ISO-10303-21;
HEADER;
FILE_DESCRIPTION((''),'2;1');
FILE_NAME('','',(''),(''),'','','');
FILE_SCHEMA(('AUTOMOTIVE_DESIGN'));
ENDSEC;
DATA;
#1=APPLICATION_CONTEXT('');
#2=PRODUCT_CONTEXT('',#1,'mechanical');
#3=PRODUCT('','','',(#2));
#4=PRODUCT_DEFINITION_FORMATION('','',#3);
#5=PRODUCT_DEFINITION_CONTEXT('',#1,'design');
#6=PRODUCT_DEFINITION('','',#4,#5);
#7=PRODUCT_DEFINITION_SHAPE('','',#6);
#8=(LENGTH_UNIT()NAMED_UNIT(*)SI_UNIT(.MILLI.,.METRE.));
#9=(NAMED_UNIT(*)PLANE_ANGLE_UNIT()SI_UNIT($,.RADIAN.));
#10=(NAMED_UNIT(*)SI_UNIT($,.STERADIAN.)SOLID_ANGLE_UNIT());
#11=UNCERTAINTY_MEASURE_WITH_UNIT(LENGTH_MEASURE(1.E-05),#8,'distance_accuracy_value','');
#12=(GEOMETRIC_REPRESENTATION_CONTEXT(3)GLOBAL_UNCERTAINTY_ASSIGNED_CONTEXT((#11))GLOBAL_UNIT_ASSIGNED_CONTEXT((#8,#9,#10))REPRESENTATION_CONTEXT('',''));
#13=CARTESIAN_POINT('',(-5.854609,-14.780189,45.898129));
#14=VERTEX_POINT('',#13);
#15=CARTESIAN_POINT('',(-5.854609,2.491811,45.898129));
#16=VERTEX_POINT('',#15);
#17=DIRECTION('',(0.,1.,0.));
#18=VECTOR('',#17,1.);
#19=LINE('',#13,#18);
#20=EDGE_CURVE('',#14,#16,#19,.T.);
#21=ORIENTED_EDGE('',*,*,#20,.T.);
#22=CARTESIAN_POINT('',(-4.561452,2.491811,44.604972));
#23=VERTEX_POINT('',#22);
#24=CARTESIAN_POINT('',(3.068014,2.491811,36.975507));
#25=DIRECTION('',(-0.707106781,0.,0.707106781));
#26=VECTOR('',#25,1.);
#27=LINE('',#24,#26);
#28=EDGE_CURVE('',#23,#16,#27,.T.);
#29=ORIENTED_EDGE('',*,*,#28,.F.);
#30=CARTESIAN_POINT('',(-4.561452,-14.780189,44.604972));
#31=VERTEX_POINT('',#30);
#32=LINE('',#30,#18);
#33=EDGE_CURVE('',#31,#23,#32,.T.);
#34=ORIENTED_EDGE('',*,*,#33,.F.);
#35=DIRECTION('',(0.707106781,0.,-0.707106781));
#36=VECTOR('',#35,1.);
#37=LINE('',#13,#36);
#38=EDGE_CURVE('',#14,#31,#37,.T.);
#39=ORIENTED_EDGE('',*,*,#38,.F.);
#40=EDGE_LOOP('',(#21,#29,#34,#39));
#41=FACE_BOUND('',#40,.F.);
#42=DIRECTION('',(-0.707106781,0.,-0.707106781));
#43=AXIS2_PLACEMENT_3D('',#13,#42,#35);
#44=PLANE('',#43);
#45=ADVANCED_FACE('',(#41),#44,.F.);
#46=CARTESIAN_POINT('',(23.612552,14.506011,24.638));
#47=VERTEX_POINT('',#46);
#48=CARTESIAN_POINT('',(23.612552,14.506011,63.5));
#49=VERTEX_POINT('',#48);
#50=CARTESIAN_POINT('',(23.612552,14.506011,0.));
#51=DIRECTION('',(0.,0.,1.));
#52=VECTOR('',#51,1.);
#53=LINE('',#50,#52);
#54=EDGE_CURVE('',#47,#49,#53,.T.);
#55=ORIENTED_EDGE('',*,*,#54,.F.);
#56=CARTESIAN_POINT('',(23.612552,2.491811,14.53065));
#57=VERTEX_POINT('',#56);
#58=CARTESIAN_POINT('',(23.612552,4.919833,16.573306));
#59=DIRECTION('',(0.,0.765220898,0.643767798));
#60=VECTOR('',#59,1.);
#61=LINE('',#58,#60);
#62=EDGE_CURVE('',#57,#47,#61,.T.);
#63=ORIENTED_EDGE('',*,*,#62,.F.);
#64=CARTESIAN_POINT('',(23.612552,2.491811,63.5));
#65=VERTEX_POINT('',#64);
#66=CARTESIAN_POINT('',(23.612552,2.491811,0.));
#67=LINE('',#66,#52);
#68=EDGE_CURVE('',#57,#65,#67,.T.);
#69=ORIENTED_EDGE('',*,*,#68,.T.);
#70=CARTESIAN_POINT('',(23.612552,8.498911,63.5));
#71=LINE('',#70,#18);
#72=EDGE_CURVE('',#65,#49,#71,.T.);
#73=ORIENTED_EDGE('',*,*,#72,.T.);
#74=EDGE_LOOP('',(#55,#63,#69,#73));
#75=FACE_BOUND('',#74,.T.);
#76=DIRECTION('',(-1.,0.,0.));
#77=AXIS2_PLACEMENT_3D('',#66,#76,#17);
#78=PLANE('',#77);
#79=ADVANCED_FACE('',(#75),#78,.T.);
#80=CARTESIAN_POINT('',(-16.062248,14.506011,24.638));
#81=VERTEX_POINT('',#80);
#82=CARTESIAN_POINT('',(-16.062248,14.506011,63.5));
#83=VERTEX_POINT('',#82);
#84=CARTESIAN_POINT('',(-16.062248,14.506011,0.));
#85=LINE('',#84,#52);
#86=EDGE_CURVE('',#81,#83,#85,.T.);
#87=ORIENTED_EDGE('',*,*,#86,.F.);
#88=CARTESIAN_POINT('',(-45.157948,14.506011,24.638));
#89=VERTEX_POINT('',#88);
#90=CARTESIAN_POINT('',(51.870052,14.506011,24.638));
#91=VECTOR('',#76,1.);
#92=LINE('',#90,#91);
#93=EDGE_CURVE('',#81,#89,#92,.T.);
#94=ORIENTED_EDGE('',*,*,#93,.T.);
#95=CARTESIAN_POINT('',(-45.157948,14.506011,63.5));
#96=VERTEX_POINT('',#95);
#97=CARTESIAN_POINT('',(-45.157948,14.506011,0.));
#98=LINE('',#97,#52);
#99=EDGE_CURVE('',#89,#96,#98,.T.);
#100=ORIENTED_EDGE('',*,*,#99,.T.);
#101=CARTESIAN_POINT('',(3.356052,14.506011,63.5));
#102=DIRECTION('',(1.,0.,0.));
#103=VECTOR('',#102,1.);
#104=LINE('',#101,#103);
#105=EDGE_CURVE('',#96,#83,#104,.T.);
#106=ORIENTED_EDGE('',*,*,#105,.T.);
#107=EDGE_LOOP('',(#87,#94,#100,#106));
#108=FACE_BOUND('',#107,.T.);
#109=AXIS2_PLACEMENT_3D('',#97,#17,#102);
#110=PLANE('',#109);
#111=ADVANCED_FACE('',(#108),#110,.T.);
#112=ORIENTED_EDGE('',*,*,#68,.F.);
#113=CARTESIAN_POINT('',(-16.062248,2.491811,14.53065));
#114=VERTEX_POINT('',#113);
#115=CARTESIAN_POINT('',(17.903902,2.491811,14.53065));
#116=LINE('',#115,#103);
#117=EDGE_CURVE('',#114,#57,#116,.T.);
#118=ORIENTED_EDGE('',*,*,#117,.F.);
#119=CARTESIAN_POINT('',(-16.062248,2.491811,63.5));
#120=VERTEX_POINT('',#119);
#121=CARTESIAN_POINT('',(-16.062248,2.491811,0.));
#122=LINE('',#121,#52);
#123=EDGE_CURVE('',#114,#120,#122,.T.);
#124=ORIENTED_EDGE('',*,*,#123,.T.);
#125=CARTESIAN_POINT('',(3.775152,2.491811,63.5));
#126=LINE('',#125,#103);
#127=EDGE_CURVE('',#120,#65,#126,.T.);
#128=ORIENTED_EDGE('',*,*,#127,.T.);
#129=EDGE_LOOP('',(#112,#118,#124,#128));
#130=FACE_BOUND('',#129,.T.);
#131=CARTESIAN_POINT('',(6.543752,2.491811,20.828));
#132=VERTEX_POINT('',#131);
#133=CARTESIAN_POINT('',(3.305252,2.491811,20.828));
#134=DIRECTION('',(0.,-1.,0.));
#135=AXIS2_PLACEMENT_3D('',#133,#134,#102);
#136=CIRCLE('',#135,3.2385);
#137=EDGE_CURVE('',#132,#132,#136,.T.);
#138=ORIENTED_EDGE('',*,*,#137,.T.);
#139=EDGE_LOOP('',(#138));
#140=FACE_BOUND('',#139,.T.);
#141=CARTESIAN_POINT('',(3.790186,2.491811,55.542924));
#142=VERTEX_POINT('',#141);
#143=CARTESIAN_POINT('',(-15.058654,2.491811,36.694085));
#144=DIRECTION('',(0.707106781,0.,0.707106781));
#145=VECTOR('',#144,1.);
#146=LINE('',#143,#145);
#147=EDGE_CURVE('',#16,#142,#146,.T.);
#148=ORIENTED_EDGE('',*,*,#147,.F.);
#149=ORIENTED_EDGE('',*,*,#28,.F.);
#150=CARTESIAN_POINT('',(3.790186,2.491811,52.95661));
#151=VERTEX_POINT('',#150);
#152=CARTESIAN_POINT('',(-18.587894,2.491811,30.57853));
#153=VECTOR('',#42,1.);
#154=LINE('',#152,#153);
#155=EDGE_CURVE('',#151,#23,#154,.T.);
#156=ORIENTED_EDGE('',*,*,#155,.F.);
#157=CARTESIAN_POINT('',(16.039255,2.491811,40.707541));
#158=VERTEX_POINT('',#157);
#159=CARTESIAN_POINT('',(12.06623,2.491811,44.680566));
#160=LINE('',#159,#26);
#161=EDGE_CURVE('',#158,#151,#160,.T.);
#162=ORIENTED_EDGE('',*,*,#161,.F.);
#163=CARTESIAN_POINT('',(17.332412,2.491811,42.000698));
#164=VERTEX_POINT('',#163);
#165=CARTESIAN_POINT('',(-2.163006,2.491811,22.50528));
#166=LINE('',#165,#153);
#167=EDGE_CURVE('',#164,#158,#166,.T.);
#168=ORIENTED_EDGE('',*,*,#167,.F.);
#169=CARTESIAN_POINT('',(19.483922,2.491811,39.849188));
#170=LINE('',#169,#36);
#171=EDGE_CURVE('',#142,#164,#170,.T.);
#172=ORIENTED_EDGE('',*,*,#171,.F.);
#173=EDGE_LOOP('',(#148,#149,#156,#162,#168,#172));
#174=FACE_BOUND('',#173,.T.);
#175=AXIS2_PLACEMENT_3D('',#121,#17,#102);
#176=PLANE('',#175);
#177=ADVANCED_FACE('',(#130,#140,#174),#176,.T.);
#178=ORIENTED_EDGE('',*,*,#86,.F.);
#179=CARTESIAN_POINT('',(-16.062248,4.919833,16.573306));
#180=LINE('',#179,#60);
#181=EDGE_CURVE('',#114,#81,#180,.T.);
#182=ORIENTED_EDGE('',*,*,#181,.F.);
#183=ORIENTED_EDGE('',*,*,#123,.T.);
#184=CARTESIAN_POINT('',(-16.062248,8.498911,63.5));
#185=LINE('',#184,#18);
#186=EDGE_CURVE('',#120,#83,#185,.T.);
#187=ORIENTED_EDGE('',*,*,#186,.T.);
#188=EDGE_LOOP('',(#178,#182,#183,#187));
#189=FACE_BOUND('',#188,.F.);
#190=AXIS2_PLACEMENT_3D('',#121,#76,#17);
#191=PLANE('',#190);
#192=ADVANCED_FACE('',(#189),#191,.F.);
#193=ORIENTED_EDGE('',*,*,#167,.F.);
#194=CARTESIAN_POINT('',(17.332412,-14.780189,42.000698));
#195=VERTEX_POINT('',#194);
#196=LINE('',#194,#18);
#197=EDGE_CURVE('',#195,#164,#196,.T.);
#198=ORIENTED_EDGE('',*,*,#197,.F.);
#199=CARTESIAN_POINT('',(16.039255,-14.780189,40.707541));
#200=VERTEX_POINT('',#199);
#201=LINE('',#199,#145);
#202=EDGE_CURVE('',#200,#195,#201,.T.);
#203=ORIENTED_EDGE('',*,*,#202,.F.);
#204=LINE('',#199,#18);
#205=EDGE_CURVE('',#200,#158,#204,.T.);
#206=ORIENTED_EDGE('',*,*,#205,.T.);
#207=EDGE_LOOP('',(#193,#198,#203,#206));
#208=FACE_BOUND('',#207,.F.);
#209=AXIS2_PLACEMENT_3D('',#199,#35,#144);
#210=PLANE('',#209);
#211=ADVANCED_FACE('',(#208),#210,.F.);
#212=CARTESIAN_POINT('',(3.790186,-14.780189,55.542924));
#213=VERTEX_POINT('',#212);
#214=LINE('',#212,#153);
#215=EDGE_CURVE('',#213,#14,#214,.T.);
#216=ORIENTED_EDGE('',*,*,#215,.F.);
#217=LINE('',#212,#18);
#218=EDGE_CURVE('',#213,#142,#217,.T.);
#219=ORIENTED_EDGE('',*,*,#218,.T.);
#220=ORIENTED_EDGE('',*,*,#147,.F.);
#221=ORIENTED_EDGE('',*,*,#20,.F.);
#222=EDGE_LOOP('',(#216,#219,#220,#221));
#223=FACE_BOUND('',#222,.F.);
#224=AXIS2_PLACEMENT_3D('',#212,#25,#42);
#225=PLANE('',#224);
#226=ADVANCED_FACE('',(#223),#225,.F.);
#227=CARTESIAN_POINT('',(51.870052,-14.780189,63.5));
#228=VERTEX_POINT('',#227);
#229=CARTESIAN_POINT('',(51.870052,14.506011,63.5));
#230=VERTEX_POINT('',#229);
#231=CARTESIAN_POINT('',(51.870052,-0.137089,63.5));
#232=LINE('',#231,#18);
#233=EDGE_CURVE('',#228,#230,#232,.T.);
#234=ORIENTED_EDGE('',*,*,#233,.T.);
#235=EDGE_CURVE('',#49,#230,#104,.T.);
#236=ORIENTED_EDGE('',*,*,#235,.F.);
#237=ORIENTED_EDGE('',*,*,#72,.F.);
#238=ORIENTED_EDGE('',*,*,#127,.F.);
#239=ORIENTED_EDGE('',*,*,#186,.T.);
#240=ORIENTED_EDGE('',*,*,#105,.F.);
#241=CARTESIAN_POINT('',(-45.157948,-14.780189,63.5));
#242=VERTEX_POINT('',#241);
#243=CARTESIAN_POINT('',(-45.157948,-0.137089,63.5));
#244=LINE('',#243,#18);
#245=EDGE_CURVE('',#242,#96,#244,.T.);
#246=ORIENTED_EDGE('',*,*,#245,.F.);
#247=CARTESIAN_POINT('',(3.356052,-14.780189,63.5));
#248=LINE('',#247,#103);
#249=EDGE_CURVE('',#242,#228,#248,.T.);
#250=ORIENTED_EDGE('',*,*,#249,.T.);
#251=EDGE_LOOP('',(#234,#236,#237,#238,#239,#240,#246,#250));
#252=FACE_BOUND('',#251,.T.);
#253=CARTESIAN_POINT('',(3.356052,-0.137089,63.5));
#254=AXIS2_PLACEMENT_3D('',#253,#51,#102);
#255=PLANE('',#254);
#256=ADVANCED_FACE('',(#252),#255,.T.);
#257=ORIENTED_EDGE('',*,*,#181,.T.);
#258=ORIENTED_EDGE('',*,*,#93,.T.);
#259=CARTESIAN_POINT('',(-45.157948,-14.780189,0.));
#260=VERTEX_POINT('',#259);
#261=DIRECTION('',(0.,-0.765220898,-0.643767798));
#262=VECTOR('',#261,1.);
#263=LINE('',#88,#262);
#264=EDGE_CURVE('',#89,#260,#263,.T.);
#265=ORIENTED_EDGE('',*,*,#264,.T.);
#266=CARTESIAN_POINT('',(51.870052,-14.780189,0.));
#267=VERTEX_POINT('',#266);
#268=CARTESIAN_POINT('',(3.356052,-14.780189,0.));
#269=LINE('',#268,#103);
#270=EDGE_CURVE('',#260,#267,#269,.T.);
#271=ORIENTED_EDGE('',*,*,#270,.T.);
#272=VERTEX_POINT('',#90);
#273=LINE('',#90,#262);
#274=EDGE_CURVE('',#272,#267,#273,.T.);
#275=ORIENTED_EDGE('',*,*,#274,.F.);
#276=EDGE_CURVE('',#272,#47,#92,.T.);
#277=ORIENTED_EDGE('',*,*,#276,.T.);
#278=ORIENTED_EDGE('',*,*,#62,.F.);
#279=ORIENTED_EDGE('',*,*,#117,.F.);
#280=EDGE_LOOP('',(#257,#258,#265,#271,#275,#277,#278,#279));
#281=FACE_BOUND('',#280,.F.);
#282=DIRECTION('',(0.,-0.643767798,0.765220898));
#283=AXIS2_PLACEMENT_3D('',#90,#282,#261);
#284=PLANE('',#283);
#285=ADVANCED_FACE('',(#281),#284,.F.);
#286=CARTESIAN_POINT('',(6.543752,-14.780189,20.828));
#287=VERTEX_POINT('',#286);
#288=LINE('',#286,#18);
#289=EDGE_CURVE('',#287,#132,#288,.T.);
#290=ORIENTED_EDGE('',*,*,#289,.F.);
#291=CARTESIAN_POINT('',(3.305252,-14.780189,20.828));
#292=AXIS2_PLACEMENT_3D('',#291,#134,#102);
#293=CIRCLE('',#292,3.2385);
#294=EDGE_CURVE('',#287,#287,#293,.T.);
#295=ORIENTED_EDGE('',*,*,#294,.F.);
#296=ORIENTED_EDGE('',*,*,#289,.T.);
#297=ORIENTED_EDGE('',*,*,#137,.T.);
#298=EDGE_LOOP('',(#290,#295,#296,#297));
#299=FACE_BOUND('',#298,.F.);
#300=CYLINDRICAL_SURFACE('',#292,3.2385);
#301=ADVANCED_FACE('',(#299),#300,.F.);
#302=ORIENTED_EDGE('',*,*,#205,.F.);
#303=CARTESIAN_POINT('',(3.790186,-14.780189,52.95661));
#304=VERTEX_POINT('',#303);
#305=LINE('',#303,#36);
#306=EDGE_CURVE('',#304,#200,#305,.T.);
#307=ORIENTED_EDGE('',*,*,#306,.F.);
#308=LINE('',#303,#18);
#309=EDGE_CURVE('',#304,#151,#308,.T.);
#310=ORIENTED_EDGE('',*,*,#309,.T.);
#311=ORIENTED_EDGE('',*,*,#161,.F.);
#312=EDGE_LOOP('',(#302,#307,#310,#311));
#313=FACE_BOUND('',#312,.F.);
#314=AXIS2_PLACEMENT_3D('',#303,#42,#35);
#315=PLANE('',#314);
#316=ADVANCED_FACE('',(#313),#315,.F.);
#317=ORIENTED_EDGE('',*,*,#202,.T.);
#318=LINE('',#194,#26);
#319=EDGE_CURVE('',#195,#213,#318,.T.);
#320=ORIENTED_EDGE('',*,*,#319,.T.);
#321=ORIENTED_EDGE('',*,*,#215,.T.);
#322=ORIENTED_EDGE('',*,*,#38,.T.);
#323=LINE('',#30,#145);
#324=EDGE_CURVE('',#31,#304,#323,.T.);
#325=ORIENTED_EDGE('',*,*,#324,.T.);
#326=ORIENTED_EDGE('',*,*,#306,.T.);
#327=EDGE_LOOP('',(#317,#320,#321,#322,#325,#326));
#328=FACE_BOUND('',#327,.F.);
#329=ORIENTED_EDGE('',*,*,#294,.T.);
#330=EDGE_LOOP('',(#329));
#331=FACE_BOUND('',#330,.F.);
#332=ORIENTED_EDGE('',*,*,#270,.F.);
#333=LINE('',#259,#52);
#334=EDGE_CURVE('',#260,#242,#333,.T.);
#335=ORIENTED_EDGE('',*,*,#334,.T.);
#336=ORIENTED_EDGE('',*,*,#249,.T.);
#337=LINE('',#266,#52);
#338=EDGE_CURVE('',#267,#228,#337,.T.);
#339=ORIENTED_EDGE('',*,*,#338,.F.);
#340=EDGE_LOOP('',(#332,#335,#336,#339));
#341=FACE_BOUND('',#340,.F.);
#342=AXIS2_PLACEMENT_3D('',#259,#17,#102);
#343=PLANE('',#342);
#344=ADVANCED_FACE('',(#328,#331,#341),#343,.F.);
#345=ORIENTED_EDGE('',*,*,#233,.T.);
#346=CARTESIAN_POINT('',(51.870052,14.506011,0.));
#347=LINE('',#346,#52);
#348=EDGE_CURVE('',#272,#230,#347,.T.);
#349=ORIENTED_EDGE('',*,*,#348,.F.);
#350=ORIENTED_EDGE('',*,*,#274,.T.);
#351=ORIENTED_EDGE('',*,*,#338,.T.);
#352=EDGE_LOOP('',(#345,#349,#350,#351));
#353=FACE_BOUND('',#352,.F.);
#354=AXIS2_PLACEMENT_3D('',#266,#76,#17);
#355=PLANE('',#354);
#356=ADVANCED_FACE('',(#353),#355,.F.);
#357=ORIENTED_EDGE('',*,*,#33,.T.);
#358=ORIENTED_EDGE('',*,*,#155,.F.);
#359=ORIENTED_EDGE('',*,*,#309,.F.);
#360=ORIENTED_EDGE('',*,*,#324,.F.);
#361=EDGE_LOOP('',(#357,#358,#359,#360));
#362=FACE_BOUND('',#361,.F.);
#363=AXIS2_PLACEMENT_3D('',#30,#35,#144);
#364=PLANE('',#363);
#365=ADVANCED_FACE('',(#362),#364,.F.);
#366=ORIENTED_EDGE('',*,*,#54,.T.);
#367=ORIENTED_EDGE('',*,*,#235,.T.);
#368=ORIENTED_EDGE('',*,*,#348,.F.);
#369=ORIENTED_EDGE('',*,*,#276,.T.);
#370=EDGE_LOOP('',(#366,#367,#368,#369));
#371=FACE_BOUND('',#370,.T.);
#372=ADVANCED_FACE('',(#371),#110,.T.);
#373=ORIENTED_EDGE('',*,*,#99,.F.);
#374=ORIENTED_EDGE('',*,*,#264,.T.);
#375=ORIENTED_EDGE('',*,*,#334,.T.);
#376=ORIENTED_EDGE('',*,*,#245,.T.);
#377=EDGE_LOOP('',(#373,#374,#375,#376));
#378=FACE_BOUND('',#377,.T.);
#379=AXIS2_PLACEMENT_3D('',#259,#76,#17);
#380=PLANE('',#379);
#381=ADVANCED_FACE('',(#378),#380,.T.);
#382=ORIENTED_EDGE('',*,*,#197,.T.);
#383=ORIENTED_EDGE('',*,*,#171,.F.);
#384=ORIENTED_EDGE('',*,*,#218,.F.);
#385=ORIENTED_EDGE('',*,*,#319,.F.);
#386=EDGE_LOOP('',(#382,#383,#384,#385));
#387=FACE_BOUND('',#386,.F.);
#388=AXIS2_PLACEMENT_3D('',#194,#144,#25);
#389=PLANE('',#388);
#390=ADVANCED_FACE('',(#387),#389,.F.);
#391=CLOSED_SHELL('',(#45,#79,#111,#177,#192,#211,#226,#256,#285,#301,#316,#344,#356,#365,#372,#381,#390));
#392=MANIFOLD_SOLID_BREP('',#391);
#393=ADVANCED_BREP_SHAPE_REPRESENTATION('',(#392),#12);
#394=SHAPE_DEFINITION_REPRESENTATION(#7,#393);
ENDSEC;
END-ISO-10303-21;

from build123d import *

# Parameters (mm, degrees)
F0_W     = 97.028
F0_H     = 29.2862
F2_DEPTH = 63.5
F1_W     = 39.6748
F1_H     = 12.0142
F3_DEPTH = 63.5
F5_DEPTH = 97.028
F6_R     = 3.2385
F7_DEPTH = 25.4
F9_DEPTH = 25.4


with BuildPart() as f2:
    # F0 (on Top) → F2 (new body)
    with BuildSketch(Plane.XY):
        with Locations((3.356052, -0.137089)):
            Rectangle(F0_W, F0_H)
    extrude(amount=F2_DEPTH)

    # F1 (on face) → F3 (cut)
    with BuildSketch(Plane.XY):
        with Locations((3.775152, 8.498911)):
            Rectangle(F1_W, F1_H)
    extrude(amount=F3_DEPTH, mode=Mode.SUBTRACT)

    # F4 (on face) → F5 (cut)
    with BuildSketch(Plane.YZ.offset(51.870052)):
        Polygon((14.506011, 0), (14.506011, 24.638), (-14.780189, 0), align=None)
    extrude(amount=-F5_DEPTH, mode=Mode.SUBTRACT)

    # F6 (on face) → F7 (cut)
    with BuildSketch(Plane.XZ.offset(14.780189)):
        with Locations((3.305252, 20.828)):
            Circle(F6_R)
    extrude(amount=-F7_DEPTH, mode=Mode.SUBTRACT)

    # F8 (on face) → F9 (cut)
    with BuildSketch(Plane.XZ.offset(14.780189)):
        Polygon((17.332412, 42.000698), (3.790186, 55.542924), (-5.854609, 45.898129), (-4.561452, 44.604972), (3.790186, 52.95661), (16.039255, 40.707541), align=None)
    extrude(amount=-F9_DEPTH, mode=Mode.SUBTRACT)


solid = f2.part
